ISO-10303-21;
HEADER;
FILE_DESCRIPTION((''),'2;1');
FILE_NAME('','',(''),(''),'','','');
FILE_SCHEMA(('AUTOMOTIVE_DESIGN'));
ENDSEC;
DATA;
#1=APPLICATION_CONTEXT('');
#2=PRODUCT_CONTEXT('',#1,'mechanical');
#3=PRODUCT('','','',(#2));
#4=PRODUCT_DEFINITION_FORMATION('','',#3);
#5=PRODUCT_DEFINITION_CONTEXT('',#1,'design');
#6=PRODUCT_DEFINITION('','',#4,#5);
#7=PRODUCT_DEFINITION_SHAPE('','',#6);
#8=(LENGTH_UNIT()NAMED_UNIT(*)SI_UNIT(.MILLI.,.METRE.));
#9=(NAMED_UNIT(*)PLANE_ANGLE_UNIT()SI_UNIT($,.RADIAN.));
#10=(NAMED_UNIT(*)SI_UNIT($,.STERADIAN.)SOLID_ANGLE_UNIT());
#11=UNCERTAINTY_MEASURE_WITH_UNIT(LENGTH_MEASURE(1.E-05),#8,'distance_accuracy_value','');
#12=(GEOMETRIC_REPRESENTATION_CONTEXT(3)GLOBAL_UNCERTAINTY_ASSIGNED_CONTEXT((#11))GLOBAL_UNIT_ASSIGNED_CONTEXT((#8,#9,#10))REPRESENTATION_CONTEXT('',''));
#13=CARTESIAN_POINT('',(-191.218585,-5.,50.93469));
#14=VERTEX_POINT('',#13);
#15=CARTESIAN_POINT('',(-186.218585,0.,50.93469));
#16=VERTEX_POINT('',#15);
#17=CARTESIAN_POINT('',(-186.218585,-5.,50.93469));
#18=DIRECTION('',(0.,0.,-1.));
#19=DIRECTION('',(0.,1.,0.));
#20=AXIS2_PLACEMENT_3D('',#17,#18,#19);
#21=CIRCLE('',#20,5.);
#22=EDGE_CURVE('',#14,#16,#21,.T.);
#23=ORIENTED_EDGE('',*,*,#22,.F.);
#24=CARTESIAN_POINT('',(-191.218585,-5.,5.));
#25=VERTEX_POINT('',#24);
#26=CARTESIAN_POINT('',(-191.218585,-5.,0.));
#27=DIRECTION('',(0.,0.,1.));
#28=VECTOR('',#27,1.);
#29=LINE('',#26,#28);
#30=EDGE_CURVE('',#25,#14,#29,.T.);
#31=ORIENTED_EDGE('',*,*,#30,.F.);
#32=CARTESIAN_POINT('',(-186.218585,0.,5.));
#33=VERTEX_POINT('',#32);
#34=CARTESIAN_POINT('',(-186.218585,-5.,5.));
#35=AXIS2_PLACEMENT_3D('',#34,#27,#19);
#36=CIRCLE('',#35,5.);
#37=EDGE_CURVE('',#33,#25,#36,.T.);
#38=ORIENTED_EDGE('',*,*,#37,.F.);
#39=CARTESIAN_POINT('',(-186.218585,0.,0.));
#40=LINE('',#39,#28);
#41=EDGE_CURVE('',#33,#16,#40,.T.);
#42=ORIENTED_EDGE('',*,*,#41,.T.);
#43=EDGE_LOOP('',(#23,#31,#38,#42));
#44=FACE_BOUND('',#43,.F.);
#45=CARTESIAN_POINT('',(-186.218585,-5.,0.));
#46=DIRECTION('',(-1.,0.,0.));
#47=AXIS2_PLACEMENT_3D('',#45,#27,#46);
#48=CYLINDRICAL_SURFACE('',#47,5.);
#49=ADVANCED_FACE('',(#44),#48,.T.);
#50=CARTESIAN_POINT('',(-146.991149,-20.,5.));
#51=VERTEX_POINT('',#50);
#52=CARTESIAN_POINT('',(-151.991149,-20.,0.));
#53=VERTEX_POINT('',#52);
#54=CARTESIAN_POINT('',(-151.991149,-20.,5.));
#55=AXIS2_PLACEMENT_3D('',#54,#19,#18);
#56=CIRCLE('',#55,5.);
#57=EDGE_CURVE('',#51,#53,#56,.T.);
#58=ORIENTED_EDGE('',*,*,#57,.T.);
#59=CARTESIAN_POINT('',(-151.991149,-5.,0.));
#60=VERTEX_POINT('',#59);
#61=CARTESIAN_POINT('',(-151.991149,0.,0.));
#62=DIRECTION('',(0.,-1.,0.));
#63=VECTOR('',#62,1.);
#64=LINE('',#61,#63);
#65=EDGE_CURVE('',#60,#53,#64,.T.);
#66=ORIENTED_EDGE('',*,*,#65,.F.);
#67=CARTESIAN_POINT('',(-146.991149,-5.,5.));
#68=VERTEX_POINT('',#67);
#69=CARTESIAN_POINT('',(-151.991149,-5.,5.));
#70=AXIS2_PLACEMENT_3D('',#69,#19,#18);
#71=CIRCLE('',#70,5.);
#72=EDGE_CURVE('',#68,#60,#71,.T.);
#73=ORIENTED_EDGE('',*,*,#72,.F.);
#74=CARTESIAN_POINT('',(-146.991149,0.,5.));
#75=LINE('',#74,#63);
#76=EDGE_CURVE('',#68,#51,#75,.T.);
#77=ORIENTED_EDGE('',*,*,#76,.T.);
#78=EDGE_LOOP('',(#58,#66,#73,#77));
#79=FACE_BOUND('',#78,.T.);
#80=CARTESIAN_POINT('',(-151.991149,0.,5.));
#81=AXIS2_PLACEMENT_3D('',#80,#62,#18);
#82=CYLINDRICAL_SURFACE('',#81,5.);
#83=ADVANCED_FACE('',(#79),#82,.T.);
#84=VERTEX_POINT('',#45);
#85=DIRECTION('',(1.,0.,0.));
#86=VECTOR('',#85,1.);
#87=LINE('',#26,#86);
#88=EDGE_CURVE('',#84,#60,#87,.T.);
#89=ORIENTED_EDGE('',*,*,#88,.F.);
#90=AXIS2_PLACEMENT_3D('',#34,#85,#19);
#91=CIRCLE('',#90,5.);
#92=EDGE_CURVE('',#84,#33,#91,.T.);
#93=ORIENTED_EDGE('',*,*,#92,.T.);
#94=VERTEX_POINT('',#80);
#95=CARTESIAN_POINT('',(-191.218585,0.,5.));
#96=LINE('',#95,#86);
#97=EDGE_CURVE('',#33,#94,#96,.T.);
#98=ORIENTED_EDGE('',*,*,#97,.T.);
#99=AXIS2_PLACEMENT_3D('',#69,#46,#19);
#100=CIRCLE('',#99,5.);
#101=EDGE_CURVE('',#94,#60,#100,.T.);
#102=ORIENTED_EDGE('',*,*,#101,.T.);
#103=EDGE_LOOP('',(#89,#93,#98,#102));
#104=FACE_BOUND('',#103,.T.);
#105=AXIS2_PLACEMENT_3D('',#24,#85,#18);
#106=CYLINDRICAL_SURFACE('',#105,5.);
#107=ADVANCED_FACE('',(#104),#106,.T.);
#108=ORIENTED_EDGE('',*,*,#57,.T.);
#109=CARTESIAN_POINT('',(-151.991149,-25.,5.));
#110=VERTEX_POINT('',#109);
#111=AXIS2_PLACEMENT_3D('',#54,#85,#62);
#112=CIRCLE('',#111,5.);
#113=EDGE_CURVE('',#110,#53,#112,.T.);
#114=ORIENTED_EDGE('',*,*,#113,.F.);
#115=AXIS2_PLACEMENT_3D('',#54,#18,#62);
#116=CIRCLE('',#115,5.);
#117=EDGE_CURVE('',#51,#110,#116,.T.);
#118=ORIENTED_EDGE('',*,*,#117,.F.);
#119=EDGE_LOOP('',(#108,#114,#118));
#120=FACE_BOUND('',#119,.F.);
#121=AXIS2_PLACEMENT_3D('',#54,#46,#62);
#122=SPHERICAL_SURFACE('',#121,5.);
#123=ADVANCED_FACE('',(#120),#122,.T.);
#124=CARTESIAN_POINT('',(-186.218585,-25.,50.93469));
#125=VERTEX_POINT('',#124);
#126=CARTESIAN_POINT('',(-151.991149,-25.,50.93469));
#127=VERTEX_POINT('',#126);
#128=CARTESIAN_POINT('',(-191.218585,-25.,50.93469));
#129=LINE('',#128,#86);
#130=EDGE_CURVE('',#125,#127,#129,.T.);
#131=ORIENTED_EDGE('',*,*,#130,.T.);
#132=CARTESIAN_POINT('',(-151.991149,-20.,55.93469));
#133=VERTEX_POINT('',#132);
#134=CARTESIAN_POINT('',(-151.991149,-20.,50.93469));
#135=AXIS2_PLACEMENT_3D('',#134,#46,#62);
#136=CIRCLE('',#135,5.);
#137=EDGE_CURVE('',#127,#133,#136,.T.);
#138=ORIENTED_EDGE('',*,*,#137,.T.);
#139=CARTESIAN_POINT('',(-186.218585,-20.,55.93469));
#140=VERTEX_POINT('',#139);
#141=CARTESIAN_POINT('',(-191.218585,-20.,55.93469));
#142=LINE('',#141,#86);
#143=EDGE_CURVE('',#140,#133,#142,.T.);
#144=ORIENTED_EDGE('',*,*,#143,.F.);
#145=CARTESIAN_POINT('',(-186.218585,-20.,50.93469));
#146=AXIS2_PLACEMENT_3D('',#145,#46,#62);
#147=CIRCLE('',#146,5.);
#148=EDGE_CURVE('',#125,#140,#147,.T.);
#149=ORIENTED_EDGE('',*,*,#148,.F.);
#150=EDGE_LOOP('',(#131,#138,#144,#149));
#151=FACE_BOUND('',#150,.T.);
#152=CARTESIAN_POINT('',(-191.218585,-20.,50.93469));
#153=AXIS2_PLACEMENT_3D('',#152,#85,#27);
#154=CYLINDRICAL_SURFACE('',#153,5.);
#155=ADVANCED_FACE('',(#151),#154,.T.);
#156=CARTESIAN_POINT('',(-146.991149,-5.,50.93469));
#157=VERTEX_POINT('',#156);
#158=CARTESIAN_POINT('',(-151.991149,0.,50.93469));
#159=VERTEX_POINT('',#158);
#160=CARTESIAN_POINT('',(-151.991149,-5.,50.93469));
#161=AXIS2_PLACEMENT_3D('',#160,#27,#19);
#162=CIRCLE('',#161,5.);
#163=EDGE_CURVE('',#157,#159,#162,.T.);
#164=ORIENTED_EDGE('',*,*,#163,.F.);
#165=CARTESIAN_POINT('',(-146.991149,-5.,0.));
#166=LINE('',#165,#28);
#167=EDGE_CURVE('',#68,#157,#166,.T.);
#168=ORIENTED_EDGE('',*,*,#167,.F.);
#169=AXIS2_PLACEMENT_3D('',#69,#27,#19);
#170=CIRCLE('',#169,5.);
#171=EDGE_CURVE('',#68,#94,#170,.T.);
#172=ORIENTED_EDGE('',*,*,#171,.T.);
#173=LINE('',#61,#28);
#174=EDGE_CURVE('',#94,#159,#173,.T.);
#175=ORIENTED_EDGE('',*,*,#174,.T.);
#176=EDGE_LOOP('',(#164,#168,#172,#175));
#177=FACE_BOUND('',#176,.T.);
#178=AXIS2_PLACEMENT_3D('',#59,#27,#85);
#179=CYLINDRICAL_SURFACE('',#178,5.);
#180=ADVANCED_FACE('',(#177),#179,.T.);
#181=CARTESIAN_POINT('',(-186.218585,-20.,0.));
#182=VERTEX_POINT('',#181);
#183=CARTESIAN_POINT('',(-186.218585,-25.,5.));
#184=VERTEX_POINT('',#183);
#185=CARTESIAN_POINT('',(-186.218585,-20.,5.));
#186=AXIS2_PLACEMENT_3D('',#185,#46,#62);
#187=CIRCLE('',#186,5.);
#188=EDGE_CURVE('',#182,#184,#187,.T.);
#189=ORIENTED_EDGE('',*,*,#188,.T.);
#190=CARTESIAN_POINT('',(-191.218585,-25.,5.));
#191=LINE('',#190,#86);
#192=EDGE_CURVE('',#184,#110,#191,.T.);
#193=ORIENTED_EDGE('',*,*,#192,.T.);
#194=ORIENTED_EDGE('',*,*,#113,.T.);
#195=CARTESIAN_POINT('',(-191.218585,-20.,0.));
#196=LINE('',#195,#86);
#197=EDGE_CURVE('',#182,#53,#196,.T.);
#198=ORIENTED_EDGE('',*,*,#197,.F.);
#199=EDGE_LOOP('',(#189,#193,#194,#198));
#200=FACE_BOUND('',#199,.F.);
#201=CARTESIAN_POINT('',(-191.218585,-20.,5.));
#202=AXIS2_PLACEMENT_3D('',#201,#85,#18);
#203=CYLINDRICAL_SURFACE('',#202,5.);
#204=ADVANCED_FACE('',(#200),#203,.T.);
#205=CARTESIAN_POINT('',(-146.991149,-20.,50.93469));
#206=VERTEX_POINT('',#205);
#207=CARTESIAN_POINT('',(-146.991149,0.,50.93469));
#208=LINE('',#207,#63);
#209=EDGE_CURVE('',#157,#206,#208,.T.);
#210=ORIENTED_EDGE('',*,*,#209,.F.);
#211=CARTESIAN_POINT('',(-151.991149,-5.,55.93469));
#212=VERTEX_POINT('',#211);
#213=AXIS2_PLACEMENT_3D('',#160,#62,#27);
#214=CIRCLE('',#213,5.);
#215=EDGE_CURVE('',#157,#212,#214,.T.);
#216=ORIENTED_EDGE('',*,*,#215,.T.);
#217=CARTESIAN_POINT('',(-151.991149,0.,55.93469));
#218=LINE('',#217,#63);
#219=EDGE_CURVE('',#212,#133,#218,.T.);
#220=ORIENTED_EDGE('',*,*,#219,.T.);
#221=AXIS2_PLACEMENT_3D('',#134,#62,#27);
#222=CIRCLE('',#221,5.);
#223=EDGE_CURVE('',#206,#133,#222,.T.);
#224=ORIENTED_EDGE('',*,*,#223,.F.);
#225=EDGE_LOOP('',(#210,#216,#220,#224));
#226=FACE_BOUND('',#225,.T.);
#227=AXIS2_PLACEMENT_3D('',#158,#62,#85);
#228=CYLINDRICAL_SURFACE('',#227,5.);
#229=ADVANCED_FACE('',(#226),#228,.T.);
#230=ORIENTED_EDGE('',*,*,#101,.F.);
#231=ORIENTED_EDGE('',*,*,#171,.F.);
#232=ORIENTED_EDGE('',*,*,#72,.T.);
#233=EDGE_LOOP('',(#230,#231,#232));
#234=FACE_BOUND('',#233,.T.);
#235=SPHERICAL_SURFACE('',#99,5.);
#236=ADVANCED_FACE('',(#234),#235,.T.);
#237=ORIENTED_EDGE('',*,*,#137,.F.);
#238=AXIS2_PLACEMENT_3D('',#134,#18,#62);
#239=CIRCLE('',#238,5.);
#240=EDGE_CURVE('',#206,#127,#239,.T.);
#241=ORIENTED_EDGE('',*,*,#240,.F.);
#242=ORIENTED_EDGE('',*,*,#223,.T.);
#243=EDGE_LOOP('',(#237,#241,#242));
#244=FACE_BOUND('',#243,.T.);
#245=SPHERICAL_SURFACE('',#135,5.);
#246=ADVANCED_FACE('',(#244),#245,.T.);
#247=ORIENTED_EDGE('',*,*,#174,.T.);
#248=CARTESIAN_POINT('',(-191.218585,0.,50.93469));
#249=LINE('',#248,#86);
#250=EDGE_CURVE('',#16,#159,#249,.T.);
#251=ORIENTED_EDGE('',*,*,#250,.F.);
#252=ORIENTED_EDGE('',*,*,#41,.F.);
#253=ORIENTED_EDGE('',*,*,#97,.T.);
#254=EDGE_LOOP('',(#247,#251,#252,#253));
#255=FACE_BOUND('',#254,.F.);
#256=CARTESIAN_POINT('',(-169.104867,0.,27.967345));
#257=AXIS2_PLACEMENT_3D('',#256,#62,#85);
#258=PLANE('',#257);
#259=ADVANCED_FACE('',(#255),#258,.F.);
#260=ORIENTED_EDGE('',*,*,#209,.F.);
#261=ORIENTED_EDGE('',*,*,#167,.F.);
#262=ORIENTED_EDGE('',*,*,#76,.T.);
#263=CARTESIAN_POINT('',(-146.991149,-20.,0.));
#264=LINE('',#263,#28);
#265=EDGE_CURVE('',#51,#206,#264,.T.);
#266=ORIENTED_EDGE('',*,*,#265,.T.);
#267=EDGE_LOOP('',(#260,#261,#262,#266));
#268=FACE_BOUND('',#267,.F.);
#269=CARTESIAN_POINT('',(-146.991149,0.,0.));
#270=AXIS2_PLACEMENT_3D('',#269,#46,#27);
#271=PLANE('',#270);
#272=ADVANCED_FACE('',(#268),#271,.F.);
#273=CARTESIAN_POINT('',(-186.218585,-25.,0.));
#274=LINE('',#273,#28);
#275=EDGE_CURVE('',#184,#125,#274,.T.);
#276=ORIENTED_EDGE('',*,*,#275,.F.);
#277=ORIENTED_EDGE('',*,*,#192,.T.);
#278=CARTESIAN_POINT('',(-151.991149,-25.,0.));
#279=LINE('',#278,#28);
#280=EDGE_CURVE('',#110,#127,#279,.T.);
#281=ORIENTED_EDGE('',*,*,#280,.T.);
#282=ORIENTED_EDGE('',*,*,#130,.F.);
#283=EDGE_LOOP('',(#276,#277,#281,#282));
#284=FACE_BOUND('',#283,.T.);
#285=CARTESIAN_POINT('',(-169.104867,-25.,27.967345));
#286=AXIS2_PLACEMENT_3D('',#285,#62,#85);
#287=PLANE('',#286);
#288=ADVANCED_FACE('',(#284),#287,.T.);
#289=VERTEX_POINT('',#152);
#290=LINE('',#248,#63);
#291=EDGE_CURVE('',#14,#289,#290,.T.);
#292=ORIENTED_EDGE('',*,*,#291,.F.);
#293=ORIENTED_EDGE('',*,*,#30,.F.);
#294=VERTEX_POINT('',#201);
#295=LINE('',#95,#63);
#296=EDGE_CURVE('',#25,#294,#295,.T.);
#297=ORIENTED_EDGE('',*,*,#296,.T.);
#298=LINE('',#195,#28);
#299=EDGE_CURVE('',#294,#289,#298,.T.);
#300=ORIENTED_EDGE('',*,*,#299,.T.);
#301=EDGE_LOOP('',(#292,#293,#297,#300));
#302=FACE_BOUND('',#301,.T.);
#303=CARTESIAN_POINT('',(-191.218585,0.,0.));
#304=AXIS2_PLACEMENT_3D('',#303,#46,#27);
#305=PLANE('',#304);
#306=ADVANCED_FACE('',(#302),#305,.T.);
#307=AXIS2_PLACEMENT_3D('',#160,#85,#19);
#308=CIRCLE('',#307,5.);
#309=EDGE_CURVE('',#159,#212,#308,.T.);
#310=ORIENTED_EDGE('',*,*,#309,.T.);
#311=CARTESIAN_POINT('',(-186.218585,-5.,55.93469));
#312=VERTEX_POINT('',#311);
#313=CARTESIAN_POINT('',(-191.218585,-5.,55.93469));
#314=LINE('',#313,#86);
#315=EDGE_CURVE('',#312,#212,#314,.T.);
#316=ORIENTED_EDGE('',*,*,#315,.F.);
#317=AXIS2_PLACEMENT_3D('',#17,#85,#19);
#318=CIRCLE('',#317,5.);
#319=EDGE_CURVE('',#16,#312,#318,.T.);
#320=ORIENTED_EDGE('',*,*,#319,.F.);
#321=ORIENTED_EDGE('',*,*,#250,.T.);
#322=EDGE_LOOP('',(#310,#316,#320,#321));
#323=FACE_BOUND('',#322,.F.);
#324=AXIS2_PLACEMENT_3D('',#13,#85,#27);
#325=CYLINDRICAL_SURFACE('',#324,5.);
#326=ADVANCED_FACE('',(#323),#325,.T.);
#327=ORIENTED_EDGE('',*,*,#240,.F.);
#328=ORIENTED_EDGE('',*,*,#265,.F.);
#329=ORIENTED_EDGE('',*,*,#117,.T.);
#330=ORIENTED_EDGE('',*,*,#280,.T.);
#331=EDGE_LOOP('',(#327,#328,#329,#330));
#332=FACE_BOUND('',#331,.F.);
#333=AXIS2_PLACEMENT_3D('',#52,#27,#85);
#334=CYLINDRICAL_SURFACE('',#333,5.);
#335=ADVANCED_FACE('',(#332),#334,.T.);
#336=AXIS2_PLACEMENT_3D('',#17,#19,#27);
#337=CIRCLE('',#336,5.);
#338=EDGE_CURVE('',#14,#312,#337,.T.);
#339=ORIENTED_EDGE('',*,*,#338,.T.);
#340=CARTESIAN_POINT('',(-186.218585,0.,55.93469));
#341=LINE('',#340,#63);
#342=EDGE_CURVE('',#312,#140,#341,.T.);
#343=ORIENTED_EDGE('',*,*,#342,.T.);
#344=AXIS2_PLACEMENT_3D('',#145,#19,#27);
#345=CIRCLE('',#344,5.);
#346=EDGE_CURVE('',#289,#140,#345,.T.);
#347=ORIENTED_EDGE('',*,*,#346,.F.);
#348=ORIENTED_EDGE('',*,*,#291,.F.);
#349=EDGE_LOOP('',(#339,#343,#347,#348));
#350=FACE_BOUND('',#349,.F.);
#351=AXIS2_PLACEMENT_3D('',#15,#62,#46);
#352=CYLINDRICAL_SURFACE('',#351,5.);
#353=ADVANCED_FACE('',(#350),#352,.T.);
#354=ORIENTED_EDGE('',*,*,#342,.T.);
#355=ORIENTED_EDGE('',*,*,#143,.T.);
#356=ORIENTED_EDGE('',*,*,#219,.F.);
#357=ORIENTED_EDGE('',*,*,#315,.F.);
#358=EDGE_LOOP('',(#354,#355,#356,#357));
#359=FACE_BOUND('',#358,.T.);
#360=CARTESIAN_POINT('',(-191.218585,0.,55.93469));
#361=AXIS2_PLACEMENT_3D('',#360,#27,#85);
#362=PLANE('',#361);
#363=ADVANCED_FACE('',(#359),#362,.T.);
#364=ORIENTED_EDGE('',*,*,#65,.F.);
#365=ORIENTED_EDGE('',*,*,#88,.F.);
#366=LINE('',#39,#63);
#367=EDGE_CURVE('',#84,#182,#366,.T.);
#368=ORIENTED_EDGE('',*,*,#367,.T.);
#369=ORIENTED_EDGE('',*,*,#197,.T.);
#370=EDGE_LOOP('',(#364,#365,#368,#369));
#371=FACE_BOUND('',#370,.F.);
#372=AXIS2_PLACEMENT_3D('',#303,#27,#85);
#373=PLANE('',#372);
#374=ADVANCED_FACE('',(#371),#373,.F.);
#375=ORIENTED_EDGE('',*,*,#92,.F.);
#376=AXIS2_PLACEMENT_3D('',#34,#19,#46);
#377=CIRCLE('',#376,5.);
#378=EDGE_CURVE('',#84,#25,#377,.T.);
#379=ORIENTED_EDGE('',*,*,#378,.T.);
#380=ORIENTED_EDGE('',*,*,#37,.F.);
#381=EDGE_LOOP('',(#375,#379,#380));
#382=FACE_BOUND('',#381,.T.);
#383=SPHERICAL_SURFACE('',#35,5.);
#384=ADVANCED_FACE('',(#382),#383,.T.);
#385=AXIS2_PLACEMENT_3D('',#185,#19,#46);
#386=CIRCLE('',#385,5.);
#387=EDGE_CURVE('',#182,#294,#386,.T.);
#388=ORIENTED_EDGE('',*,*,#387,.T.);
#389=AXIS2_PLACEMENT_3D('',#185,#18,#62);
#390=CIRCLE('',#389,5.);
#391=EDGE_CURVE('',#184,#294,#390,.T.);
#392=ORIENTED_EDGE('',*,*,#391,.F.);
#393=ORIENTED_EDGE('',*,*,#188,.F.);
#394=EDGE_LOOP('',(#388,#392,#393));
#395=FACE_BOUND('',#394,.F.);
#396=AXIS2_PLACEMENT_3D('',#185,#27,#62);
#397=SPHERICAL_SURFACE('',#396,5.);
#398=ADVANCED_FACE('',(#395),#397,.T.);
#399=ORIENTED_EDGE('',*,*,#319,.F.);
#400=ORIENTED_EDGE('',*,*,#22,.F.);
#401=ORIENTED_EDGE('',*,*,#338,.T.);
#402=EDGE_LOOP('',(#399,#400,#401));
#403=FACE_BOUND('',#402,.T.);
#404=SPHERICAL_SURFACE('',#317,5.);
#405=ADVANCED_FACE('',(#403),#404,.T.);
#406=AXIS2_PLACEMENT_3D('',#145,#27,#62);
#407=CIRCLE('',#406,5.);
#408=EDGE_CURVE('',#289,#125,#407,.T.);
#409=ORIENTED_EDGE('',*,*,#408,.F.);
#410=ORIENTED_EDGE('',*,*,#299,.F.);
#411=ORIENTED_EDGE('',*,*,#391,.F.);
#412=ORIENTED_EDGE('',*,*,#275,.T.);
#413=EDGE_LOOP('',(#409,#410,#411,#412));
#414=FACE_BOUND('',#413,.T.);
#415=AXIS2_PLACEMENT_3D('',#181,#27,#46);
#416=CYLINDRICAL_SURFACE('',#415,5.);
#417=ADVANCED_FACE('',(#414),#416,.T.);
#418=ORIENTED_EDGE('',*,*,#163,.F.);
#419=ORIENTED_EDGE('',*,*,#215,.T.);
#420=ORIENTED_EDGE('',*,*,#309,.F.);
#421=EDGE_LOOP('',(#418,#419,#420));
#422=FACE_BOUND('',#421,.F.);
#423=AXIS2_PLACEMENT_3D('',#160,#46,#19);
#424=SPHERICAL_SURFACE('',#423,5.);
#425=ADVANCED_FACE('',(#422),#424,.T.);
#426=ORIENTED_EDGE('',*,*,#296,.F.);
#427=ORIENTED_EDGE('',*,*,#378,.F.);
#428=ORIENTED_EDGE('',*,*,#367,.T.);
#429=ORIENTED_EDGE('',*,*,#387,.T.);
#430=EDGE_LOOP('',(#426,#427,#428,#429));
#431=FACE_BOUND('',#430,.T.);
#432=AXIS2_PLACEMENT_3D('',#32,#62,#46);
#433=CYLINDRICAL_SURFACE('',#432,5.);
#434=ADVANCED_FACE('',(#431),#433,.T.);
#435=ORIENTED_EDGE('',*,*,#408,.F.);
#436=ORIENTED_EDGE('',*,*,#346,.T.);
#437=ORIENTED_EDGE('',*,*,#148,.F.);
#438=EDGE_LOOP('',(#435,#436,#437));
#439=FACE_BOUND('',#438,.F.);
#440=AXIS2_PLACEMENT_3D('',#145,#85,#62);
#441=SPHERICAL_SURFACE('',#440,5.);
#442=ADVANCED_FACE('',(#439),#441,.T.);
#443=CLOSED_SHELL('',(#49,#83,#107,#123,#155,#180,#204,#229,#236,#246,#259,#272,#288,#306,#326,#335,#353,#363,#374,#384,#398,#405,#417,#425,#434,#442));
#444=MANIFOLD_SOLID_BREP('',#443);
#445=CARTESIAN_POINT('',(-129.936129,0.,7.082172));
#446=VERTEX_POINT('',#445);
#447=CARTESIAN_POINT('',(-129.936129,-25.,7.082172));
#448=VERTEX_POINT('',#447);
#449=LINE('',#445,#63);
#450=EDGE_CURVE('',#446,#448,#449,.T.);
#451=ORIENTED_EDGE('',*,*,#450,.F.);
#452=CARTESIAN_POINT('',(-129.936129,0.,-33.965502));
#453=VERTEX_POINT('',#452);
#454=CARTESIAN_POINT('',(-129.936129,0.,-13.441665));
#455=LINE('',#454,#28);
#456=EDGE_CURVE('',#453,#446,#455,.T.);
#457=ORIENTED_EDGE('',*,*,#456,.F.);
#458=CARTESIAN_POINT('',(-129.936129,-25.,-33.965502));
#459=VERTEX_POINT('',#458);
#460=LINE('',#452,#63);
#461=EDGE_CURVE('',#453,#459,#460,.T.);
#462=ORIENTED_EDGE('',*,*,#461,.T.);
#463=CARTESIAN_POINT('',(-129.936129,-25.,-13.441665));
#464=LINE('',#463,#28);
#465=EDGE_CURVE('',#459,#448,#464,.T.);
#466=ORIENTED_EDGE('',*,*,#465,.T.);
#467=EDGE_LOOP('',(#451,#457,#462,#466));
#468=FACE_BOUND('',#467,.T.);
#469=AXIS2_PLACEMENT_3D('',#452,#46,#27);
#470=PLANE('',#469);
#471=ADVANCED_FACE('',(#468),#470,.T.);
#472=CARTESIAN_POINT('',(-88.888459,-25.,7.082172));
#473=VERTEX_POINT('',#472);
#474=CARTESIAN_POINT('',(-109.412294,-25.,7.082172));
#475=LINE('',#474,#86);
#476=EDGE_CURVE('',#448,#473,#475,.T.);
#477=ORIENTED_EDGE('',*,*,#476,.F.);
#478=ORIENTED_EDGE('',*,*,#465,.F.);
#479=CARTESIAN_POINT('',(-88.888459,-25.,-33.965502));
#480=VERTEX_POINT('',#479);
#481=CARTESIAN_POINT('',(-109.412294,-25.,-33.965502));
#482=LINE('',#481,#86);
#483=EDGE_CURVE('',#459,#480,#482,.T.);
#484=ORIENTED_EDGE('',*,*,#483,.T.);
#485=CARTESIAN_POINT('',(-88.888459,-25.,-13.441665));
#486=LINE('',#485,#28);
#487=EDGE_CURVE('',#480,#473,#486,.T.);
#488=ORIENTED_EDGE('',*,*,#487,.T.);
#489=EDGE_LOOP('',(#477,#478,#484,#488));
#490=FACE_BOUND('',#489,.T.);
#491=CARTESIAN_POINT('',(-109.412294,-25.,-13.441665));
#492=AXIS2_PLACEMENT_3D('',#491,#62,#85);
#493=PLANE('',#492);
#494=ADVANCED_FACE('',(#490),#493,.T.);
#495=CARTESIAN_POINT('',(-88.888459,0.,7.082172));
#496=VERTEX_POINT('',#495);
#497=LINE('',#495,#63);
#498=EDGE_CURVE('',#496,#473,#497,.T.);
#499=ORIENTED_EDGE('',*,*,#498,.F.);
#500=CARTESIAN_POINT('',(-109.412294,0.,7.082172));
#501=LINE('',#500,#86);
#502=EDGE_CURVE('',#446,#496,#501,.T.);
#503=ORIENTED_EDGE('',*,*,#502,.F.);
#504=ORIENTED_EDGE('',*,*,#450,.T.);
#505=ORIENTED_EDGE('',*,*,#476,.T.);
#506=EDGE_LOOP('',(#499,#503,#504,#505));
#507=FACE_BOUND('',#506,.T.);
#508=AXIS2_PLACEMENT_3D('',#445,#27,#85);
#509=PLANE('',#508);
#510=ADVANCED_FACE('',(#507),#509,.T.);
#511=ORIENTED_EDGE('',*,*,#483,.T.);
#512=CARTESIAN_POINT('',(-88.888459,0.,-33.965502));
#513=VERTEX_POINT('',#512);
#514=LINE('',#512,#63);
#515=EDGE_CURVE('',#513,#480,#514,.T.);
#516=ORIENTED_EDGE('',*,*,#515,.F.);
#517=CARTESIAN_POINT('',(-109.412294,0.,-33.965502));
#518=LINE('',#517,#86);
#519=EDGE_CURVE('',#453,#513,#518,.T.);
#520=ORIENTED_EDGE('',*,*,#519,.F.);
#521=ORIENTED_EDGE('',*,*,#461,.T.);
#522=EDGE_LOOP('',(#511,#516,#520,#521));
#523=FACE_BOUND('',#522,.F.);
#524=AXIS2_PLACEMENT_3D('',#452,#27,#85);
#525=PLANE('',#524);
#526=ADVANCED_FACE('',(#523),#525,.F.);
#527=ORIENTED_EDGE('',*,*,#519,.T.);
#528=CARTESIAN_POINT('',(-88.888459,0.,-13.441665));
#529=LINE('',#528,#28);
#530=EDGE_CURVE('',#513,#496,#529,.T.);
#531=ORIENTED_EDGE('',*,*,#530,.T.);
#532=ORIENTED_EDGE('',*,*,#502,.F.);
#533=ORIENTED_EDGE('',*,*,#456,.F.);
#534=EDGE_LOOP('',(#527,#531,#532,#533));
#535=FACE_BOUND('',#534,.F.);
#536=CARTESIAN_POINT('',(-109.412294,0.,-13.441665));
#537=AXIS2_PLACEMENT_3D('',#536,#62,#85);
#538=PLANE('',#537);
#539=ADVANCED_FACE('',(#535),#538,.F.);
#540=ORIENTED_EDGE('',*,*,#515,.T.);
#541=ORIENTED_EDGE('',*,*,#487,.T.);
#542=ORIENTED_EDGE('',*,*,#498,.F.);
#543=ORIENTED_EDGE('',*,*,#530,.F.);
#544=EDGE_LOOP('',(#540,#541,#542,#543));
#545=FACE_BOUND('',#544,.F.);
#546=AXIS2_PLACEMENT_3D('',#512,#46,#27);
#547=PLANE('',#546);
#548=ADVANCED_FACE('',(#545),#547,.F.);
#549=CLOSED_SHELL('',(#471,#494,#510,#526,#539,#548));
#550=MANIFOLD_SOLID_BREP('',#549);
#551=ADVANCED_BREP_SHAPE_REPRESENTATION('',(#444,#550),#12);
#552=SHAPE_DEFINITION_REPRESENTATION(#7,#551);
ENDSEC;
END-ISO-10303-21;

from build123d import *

# Parameters (mm, degrees)
F0_W     = 44.227436
F0_H     = 55.93469
F0_W_2   = 41.04767
F0_H_2   = 41.047674
F1_DEPTH = 25
F2_R     = 5


with BuildPart() as f1:
    # F0 (on Front) → F1 (new body)
    with BuildSketch(Plane.XZ):
        with Locations((-169.104867, 27.967345)):
            Rectangle(F0_W, F0_H)
        with Locations((-109.412294, -13.441665)):
            Rectangle(F0_W_2, F0_H_2)
    extrude(amount=F1_DEPTH)

    # F2
    f2_edges = [f1.edges().sort_by_distance(p)[0] for p in [
        (-169.104867, -25, 55.93469),
        (-191.218585, -25, 27.967345),
        (-169.104867, -25, 0),
        (-146.991149, -25, 27.967345),
        (-169.104867, 0, 55.93469),
        (-191.218585, 0, 27.967345),
        (-169.104867, 0, 0),
        (-146.991149, 0, 27.967345),
        (-146.991149, -12.5, 55.93469),
        (-191.218585, -12.5, 55.93469),
        (-191.218585, -12.5, 0),
        (-146.991149, -12.5, 0),
    ]]
    fillet(f2_edges, radius=F2_R)


solid = f1.part
